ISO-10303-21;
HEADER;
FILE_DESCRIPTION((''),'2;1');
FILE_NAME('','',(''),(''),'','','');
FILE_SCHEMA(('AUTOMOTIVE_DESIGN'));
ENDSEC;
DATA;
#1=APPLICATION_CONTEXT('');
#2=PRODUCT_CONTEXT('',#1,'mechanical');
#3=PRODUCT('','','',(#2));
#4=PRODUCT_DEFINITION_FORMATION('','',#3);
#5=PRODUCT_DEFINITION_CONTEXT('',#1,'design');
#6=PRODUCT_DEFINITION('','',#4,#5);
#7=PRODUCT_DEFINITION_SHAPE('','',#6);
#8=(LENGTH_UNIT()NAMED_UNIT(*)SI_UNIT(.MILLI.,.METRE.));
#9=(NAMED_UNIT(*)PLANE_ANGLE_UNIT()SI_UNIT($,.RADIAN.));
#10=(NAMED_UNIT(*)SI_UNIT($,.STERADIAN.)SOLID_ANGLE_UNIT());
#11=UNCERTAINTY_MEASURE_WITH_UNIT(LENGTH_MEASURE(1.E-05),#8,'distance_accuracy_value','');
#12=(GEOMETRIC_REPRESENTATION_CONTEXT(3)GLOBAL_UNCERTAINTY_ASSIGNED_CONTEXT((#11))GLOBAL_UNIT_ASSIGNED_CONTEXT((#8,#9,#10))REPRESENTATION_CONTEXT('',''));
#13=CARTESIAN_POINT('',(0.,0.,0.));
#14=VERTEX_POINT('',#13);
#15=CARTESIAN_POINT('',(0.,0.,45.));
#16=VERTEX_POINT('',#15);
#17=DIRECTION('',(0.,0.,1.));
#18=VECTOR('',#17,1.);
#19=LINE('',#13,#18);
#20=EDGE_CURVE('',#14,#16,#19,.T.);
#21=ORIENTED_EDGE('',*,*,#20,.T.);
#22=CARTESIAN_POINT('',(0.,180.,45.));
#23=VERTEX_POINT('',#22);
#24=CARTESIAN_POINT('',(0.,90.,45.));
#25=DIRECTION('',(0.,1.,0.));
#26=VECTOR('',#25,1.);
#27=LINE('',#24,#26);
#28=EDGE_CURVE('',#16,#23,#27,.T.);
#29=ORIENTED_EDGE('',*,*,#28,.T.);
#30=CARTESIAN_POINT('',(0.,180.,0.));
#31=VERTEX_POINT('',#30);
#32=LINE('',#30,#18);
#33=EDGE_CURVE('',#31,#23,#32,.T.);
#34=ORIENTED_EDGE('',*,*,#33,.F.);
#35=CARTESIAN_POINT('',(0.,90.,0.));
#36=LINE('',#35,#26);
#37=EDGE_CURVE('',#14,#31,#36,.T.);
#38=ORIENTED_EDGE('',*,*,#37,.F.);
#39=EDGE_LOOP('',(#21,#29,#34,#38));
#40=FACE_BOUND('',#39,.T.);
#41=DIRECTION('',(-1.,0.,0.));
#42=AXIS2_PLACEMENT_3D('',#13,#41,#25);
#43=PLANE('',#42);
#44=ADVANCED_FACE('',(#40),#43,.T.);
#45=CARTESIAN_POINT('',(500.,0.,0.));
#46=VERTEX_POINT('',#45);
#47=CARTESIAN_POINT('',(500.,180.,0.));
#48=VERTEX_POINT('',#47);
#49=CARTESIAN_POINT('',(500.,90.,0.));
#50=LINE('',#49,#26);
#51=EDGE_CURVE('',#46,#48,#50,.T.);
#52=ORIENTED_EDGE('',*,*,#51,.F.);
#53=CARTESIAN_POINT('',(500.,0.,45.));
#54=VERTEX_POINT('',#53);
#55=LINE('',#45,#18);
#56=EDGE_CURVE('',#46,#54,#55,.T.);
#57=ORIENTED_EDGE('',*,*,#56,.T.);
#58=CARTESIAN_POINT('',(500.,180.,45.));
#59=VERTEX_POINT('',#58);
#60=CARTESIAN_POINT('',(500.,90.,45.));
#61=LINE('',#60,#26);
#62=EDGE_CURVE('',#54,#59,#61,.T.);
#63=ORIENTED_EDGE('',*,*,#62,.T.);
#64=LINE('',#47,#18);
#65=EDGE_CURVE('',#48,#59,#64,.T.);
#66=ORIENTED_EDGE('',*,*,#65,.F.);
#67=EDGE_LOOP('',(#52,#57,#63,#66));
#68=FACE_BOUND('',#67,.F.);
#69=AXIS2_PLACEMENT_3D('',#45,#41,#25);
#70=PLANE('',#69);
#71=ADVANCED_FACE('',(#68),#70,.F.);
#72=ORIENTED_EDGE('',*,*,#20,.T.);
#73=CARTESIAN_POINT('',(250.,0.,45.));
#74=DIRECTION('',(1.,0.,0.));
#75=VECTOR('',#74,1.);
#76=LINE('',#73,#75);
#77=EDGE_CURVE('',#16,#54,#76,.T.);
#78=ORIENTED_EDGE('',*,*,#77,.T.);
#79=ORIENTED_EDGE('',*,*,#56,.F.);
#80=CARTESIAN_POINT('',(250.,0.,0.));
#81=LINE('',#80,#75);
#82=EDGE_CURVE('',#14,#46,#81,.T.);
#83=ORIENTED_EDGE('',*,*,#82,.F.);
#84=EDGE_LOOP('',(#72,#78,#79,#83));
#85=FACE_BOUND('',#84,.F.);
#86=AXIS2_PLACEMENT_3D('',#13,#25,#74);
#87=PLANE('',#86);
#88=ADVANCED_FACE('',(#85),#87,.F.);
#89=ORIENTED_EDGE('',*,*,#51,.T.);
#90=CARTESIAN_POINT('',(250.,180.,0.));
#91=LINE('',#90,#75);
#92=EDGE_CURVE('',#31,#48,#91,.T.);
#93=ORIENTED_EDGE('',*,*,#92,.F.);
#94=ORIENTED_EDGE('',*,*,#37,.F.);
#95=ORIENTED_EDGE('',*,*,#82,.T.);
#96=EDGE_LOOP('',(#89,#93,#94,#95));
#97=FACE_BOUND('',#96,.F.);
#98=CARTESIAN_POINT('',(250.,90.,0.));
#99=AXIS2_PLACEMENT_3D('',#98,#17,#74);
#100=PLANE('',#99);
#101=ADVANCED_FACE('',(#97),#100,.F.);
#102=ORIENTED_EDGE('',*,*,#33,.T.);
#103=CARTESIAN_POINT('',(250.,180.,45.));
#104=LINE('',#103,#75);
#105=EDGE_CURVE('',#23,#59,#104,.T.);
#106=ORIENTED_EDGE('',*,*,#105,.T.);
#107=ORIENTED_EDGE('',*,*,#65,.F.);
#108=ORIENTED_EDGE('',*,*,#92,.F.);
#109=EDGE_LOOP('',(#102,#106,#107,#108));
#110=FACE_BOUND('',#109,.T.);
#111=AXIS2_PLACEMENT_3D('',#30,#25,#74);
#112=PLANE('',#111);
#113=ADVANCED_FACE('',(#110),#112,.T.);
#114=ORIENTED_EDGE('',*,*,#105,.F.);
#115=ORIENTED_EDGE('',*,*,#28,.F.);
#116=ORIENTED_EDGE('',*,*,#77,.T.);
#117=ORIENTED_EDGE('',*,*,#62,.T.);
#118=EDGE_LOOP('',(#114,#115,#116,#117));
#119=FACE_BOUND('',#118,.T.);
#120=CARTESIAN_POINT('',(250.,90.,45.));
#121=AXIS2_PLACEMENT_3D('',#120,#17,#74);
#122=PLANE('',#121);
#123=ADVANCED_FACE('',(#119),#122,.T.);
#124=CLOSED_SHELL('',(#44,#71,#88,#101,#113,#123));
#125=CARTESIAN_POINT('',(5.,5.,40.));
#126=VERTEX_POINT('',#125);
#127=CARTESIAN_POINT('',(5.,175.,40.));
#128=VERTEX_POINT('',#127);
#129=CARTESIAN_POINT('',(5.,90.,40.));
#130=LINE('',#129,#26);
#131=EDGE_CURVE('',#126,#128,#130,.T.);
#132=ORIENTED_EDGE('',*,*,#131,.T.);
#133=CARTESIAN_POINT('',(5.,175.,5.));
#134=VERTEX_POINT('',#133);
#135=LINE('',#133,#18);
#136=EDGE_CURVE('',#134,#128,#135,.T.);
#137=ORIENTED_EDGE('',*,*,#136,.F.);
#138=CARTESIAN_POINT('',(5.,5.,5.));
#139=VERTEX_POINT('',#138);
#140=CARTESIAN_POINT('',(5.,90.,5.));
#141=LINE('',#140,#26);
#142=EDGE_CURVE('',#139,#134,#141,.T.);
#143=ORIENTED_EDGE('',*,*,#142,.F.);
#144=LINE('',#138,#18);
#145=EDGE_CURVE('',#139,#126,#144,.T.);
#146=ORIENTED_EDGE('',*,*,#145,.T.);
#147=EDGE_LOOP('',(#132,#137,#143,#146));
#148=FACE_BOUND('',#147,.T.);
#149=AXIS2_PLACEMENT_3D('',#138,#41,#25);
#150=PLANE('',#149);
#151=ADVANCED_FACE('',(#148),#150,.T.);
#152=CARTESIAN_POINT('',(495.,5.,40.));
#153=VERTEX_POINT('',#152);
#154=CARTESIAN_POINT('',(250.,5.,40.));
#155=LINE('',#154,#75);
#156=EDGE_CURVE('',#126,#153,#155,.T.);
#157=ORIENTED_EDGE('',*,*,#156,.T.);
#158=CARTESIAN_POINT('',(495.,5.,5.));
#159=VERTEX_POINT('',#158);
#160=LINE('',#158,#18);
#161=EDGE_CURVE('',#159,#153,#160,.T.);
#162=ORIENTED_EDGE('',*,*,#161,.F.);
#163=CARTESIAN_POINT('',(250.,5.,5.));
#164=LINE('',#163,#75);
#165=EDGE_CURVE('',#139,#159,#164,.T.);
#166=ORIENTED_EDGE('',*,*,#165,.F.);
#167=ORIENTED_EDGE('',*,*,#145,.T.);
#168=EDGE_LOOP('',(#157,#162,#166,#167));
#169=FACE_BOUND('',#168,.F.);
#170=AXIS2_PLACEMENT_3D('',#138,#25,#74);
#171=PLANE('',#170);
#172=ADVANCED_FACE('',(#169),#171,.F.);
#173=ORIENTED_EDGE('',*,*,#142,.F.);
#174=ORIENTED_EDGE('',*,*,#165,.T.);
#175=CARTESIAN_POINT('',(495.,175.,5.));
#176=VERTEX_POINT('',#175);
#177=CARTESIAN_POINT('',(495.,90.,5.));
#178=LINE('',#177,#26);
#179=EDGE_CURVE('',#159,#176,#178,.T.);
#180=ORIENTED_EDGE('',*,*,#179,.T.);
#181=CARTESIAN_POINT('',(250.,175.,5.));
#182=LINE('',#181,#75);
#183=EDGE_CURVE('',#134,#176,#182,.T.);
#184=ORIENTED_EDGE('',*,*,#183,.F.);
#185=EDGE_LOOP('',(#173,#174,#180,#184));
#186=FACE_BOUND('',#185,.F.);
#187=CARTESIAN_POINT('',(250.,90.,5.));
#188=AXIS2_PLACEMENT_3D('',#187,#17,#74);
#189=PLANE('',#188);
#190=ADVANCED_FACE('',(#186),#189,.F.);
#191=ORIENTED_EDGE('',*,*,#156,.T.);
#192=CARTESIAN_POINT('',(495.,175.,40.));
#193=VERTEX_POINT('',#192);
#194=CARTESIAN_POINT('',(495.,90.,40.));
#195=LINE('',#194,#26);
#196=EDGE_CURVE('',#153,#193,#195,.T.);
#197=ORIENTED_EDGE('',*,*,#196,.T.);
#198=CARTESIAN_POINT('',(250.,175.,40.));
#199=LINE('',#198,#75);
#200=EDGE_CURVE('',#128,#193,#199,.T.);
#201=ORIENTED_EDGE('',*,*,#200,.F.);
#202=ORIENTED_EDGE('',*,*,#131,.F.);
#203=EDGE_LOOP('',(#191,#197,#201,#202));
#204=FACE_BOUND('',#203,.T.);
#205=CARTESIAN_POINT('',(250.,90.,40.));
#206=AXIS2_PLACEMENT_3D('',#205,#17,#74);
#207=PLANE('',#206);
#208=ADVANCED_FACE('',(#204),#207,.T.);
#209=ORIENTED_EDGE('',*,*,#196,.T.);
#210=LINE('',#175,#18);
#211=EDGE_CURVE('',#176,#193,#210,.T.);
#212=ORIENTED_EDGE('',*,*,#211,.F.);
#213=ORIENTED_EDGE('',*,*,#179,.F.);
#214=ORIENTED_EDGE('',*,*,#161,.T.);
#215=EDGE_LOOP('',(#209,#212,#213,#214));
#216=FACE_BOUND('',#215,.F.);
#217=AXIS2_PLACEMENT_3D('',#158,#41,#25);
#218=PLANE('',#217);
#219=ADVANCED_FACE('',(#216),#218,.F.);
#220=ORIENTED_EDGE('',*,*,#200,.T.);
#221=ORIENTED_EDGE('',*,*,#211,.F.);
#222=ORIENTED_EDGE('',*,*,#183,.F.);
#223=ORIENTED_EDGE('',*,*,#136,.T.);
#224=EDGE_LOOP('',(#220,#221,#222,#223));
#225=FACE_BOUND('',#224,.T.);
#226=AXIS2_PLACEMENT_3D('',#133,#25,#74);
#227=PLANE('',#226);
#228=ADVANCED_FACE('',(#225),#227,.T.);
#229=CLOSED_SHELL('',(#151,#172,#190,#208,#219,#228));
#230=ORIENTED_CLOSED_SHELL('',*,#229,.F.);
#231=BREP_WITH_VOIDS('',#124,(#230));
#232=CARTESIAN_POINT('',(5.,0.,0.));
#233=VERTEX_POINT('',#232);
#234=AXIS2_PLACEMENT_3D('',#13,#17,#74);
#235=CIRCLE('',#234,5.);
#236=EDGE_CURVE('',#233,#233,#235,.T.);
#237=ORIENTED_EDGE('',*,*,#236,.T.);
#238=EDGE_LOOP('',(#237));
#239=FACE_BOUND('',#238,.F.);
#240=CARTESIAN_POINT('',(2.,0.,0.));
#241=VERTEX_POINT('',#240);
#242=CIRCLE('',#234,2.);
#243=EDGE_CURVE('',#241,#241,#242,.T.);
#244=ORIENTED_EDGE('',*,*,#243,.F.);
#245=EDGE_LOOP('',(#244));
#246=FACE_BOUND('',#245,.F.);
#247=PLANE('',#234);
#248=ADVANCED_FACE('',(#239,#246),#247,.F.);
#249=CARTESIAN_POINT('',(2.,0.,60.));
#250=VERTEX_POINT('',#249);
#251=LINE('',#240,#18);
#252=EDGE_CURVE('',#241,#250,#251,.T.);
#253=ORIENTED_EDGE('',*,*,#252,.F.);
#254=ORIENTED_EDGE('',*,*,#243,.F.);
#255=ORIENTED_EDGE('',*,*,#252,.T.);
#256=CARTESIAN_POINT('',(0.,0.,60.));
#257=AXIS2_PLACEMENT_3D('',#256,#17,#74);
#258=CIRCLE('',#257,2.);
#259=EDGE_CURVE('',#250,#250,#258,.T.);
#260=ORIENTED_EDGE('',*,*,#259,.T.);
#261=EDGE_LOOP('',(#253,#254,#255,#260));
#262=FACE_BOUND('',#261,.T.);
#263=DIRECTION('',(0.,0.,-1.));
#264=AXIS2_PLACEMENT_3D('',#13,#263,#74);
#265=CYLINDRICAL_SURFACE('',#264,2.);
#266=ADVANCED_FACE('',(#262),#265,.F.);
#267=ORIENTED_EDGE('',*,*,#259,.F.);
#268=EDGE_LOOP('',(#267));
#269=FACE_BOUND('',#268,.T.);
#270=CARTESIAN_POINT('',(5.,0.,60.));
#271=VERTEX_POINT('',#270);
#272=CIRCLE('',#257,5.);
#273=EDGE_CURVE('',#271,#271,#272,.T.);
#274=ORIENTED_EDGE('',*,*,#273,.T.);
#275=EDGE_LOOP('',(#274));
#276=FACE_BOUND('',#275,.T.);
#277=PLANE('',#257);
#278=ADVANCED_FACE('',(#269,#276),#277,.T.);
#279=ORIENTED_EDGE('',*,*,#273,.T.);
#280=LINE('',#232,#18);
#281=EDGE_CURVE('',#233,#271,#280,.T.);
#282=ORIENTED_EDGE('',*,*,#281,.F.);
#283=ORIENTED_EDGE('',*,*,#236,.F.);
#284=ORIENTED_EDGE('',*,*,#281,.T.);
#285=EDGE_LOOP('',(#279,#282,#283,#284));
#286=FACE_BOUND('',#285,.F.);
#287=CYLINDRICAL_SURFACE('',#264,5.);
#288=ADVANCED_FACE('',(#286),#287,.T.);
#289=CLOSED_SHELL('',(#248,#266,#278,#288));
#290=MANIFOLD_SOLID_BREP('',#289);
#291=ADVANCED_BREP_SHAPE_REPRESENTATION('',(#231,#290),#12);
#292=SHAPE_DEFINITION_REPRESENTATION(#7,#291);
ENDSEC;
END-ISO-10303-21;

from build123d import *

# Parameters (mm, degrees)
BOX001_W     = 490
BOX001_H     = 170
BOX001_DEPTH = 35
BOX_W        = 500
BOX_H        = 180
BOX_DEPTH    = 45
TUBE_R       = 5
TUBE_R_2     = 2
TUBE_DEPTH   = 60


with BuildPart() as cube001:
    # Box001 → Box001 (new body)
    with BuildSketch(Plane(origin=(5, 5, 5), x_dir=(1, 0, 0), z_dir=(0, 0, 1))):
        with Locations((245, 85)):
            Rectangle(BOX001_W, BOX001_H)
    extrude(amount=BOX001_DEPTH)


with BuildPart() as cut:
    # Box → Box (new body)
    with BuildSketch(Plane.XY):
        with Locations((250, 90)):
            Rectangle(BOX_W, BOX_H)
    extrude(amount=BOX_DEPTH)

    # Cut: cut Cube001
    add(cube001.part, mode=Mode.SUBTRACT)


with BuildPart() as tube:
    # Tube → Tube (new body)
    with BuildSketch(Plane.XY):
        Circle(TUBE_R)
        Circle(TUBE_R_2, mode=Mode.SUBTRACT)
    extrude(amount=TUBE_DEPTH)


solid = Compound([cut.part, tube.part])
